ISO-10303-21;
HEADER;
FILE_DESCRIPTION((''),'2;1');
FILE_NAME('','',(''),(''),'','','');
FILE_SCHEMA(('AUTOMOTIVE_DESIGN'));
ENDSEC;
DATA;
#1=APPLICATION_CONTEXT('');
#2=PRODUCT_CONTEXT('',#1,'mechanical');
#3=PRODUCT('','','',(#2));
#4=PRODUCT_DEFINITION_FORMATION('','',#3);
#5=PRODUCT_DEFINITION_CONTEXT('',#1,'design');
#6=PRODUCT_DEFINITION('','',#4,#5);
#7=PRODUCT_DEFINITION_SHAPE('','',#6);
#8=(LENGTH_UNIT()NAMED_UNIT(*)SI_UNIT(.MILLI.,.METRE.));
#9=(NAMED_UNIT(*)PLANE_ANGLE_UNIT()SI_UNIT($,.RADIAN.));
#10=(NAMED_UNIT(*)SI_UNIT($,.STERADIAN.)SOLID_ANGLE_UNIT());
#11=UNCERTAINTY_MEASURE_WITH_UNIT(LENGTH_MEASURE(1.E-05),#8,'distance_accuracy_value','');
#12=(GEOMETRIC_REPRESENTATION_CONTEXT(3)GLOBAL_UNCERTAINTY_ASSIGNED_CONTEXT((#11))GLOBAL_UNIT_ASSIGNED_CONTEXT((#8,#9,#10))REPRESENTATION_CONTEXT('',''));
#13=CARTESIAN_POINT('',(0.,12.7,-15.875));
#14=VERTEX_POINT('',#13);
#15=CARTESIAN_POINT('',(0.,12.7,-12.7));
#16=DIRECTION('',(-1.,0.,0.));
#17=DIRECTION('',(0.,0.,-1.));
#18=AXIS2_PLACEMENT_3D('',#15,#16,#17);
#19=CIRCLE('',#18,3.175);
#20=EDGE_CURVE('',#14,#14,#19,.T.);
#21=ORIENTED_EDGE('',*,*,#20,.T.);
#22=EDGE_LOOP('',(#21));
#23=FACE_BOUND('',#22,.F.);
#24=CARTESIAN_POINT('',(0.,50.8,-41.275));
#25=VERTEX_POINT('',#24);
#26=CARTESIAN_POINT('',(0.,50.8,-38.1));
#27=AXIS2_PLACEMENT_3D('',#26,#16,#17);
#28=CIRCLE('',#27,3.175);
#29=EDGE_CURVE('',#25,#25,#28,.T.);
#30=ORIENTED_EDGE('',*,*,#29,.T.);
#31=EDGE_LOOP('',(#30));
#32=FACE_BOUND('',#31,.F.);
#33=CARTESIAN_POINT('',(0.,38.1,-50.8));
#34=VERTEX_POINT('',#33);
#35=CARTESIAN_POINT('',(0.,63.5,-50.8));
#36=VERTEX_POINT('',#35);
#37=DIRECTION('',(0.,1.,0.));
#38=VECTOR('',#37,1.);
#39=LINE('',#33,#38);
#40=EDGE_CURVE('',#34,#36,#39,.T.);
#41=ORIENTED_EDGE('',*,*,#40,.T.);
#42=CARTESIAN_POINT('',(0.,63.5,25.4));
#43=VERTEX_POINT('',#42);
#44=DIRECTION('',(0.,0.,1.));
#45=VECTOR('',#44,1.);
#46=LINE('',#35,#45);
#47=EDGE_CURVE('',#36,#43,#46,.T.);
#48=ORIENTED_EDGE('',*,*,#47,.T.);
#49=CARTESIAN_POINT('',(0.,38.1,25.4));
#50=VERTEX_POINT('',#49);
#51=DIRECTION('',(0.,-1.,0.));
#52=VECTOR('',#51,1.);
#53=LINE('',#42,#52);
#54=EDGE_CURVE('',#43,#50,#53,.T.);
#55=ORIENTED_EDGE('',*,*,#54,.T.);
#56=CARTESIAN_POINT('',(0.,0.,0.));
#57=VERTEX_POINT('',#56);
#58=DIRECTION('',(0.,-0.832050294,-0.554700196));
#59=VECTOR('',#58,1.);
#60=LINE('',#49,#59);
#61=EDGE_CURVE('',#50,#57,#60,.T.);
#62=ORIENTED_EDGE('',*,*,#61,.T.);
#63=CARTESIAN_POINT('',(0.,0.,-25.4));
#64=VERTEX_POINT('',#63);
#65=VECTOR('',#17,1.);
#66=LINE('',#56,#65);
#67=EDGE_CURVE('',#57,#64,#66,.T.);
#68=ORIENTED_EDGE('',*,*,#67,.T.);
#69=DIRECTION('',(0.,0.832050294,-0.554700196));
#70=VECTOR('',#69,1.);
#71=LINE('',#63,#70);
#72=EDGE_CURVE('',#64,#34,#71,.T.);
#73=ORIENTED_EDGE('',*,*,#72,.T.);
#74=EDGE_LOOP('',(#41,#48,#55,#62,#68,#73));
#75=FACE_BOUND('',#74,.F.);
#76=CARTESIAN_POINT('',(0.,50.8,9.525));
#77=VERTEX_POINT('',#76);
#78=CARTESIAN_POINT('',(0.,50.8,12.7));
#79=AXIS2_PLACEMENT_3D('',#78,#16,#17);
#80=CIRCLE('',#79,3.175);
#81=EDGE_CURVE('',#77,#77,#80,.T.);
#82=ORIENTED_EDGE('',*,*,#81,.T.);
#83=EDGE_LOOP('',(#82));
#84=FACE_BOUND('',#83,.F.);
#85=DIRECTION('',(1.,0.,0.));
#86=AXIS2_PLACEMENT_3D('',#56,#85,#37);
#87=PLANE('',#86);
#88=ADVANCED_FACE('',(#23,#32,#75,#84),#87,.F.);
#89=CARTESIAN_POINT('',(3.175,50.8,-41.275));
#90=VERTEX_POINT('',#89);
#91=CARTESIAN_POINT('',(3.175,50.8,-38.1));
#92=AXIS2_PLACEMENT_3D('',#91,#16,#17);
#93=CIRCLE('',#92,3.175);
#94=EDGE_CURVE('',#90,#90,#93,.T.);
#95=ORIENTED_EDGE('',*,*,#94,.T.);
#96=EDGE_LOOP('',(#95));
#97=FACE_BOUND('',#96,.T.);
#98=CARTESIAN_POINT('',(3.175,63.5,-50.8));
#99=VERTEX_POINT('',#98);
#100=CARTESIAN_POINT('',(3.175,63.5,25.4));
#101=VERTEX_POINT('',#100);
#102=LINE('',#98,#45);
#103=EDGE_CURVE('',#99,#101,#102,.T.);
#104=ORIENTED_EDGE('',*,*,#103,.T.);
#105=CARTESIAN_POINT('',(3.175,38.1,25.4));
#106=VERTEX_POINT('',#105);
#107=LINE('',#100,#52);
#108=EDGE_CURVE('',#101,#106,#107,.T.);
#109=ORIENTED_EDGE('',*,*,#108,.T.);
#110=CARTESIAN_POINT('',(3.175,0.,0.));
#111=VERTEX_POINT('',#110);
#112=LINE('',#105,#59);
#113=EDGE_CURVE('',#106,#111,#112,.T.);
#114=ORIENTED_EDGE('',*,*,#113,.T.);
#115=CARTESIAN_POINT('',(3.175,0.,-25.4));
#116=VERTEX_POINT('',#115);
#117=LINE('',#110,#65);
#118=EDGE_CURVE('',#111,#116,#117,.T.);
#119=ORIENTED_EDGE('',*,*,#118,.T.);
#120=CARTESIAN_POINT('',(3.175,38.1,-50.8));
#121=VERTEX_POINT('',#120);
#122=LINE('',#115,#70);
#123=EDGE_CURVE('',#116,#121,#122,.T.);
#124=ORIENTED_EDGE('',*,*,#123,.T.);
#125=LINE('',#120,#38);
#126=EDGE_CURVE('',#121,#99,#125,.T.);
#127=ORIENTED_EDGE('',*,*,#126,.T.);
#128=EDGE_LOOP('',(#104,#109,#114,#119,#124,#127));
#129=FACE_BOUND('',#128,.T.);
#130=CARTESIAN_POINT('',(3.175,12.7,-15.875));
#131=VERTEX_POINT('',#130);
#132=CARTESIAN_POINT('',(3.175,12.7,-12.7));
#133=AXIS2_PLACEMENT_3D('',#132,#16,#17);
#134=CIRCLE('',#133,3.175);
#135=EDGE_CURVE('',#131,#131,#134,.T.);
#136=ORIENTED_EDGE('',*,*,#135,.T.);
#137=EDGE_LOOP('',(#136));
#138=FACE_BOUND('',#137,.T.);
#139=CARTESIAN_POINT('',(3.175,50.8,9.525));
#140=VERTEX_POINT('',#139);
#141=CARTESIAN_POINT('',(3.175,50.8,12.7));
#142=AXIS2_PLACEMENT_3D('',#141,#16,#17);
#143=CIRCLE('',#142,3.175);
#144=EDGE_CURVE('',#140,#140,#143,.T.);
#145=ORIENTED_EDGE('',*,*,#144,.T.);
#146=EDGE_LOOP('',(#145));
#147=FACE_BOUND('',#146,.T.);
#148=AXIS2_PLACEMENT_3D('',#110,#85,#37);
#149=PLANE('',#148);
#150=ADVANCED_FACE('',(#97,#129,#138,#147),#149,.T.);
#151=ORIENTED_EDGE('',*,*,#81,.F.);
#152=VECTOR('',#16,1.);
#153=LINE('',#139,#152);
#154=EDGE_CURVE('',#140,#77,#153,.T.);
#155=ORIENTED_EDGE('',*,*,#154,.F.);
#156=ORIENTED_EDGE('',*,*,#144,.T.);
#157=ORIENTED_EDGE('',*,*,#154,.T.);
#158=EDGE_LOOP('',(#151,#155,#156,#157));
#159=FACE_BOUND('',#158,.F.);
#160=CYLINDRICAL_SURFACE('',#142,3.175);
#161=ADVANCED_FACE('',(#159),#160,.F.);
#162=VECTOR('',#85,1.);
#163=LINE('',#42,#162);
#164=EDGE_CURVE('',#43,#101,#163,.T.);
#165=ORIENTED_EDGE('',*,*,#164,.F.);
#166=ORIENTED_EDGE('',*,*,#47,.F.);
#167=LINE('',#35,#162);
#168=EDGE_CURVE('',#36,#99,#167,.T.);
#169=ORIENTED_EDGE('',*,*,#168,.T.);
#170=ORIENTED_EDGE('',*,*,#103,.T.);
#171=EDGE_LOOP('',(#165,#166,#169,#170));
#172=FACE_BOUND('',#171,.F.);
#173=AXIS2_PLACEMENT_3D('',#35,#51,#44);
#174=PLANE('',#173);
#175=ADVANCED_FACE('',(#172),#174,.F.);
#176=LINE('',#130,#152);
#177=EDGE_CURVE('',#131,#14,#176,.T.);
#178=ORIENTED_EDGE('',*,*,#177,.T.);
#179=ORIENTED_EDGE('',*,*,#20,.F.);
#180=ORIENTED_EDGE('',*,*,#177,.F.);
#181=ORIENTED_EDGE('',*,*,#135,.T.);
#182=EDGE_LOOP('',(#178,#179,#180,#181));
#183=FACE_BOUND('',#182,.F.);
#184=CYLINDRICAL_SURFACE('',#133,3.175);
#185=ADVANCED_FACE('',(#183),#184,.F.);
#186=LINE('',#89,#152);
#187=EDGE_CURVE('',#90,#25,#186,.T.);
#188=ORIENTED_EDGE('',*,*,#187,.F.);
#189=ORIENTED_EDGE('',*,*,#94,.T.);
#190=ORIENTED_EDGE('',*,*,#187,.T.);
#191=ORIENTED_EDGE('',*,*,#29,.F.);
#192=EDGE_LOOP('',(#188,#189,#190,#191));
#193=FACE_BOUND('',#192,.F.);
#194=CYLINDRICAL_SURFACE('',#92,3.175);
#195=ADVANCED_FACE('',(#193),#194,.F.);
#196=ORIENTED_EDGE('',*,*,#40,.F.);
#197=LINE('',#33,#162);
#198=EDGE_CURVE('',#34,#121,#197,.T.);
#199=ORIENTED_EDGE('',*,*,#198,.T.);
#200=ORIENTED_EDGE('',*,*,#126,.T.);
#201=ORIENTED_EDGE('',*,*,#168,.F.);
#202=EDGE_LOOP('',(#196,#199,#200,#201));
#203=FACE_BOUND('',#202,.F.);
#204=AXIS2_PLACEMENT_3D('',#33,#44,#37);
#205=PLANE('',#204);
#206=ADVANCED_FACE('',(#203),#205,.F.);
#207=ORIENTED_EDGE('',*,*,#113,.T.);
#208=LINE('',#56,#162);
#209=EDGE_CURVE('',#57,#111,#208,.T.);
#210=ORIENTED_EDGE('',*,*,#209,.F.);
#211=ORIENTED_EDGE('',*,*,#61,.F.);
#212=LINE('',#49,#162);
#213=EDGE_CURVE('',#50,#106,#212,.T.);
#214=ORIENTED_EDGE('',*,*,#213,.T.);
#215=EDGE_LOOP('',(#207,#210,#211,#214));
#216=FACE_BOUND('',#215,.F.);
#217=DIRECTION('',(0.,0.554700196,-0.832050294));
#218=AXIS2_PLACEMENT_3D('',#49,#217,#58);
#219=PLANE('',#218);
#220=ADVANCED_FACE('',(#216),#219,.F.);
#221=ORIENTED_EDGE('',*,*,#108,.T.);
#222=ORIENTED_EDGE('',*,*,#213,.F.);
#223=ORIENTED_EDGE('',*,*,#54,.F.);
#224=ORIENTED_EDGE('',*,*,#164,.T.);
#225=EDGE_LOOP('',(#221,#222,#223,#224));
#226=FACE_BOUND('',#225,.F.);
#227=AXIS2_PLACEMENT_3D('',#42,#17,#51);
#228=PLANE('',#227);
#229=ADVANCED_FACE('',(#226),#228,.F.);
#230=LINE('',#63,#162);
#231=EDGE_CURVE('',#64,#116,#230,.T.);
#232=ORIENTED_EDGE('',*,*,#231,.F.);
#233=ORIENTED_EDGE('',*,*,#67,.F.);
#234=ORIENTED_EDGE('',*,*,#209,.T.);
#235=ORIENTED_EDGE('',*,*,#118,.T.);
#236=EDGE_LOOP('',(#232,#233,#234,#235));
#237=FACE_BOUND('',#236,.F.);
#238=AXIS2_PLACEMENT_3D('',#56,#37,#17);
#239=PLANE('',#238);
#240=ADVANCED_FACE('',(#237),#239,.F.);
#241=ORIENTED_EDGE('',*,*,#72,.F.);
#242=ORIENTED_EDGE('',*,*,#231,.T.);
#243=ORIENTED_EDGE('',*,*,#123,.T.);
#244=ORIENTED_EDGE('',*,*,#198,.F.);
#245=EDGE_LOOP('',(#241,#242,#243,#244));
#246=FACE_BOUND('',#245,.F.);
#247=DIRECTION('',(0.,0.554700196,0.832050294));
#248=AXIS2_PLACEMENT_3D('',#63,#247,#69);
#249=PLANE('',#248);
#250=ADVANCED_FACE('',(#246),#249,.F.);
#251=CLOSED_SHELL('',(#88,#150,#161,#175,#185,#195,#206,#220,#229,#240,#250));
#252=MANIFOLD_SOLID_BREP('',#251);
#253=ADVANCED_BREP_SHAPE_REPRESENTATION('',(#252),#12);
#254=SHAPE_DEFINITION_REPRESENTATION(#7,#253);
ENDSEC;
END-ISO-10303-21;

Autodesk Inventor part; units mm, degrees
ref_plane "YZ Plane" through (0, 0, 0) normal (1, 0, 0) x (0, 1, 0)
ref_plane "XZ Plane" through (0, 0, 0) normal (0, 1, 0) x (-1, 0, 0)
ref_plane "XY Plane" through (0, 0, 0) normal (0, 0, 1) x (1, 0, 0)
sketch "Sketch1" plane through (0, 0, 0) normal (1, 0, 0) x (0, 1, 0)
  line L0 (0, 0) -> (0, -25.4)
  line L1 (0, -25.4) -> (38.1, -50.8)
  line L2 (38.1, -50.8) -> (63.5, -50.8)
  line L3 (63.5, -50.8) -> (63.5, 25.4)
  line L4 (63.5, 25.4) -> (38.1, 25.4)
  line L5 (38.1, 25.4) -> (0, 0)
  dimension "d0" = 76.2
  dimension "d2" = 25.4
  dimension "d3" = 25.4
  dimension "d4" = 25.4
  dimension "d5" = 63.5
  dimension "d6" = 25.4
extrude "Extrusion1" add sketch "Sketch1" along normal blind 3.175
sketch "Sketch2" plane through (3.175, 0, 0) normal (1, 0, 0) x (0, 0, -1)
  line L0 (0, 0) -> (25.4, 0) projected
  line L1 (50.8, 38.1) -> (50.8, 63.5) projected
  line L2 (50.8, 63.5) -> (-25.4, 63.5) projected
  line L3 (-25.4, 63.5) -> (-25.4, 38.1) projected
  point P0 (-12.7, 50.8)
  point P1 (38.1, 50.8)
  point P2 (12.7, 12.7)
  dimension "d9" = 12.7
  dimension "d10" = 12.7
  dimension "d11" = 12.7
  dimension "d12" = 12.7
  dimension "d13" = 12.7
  dimension "d14" = 12.7
hole "Hole1" at (3.175, 50.8, 12.7) at (3.175, 50.8, -38.1) at (3.175, 12.7, -12.7) direction (-1, 0, 0) diameter 6.35 end through all
properties part number "Mounting" material "Aluminum 6061"
